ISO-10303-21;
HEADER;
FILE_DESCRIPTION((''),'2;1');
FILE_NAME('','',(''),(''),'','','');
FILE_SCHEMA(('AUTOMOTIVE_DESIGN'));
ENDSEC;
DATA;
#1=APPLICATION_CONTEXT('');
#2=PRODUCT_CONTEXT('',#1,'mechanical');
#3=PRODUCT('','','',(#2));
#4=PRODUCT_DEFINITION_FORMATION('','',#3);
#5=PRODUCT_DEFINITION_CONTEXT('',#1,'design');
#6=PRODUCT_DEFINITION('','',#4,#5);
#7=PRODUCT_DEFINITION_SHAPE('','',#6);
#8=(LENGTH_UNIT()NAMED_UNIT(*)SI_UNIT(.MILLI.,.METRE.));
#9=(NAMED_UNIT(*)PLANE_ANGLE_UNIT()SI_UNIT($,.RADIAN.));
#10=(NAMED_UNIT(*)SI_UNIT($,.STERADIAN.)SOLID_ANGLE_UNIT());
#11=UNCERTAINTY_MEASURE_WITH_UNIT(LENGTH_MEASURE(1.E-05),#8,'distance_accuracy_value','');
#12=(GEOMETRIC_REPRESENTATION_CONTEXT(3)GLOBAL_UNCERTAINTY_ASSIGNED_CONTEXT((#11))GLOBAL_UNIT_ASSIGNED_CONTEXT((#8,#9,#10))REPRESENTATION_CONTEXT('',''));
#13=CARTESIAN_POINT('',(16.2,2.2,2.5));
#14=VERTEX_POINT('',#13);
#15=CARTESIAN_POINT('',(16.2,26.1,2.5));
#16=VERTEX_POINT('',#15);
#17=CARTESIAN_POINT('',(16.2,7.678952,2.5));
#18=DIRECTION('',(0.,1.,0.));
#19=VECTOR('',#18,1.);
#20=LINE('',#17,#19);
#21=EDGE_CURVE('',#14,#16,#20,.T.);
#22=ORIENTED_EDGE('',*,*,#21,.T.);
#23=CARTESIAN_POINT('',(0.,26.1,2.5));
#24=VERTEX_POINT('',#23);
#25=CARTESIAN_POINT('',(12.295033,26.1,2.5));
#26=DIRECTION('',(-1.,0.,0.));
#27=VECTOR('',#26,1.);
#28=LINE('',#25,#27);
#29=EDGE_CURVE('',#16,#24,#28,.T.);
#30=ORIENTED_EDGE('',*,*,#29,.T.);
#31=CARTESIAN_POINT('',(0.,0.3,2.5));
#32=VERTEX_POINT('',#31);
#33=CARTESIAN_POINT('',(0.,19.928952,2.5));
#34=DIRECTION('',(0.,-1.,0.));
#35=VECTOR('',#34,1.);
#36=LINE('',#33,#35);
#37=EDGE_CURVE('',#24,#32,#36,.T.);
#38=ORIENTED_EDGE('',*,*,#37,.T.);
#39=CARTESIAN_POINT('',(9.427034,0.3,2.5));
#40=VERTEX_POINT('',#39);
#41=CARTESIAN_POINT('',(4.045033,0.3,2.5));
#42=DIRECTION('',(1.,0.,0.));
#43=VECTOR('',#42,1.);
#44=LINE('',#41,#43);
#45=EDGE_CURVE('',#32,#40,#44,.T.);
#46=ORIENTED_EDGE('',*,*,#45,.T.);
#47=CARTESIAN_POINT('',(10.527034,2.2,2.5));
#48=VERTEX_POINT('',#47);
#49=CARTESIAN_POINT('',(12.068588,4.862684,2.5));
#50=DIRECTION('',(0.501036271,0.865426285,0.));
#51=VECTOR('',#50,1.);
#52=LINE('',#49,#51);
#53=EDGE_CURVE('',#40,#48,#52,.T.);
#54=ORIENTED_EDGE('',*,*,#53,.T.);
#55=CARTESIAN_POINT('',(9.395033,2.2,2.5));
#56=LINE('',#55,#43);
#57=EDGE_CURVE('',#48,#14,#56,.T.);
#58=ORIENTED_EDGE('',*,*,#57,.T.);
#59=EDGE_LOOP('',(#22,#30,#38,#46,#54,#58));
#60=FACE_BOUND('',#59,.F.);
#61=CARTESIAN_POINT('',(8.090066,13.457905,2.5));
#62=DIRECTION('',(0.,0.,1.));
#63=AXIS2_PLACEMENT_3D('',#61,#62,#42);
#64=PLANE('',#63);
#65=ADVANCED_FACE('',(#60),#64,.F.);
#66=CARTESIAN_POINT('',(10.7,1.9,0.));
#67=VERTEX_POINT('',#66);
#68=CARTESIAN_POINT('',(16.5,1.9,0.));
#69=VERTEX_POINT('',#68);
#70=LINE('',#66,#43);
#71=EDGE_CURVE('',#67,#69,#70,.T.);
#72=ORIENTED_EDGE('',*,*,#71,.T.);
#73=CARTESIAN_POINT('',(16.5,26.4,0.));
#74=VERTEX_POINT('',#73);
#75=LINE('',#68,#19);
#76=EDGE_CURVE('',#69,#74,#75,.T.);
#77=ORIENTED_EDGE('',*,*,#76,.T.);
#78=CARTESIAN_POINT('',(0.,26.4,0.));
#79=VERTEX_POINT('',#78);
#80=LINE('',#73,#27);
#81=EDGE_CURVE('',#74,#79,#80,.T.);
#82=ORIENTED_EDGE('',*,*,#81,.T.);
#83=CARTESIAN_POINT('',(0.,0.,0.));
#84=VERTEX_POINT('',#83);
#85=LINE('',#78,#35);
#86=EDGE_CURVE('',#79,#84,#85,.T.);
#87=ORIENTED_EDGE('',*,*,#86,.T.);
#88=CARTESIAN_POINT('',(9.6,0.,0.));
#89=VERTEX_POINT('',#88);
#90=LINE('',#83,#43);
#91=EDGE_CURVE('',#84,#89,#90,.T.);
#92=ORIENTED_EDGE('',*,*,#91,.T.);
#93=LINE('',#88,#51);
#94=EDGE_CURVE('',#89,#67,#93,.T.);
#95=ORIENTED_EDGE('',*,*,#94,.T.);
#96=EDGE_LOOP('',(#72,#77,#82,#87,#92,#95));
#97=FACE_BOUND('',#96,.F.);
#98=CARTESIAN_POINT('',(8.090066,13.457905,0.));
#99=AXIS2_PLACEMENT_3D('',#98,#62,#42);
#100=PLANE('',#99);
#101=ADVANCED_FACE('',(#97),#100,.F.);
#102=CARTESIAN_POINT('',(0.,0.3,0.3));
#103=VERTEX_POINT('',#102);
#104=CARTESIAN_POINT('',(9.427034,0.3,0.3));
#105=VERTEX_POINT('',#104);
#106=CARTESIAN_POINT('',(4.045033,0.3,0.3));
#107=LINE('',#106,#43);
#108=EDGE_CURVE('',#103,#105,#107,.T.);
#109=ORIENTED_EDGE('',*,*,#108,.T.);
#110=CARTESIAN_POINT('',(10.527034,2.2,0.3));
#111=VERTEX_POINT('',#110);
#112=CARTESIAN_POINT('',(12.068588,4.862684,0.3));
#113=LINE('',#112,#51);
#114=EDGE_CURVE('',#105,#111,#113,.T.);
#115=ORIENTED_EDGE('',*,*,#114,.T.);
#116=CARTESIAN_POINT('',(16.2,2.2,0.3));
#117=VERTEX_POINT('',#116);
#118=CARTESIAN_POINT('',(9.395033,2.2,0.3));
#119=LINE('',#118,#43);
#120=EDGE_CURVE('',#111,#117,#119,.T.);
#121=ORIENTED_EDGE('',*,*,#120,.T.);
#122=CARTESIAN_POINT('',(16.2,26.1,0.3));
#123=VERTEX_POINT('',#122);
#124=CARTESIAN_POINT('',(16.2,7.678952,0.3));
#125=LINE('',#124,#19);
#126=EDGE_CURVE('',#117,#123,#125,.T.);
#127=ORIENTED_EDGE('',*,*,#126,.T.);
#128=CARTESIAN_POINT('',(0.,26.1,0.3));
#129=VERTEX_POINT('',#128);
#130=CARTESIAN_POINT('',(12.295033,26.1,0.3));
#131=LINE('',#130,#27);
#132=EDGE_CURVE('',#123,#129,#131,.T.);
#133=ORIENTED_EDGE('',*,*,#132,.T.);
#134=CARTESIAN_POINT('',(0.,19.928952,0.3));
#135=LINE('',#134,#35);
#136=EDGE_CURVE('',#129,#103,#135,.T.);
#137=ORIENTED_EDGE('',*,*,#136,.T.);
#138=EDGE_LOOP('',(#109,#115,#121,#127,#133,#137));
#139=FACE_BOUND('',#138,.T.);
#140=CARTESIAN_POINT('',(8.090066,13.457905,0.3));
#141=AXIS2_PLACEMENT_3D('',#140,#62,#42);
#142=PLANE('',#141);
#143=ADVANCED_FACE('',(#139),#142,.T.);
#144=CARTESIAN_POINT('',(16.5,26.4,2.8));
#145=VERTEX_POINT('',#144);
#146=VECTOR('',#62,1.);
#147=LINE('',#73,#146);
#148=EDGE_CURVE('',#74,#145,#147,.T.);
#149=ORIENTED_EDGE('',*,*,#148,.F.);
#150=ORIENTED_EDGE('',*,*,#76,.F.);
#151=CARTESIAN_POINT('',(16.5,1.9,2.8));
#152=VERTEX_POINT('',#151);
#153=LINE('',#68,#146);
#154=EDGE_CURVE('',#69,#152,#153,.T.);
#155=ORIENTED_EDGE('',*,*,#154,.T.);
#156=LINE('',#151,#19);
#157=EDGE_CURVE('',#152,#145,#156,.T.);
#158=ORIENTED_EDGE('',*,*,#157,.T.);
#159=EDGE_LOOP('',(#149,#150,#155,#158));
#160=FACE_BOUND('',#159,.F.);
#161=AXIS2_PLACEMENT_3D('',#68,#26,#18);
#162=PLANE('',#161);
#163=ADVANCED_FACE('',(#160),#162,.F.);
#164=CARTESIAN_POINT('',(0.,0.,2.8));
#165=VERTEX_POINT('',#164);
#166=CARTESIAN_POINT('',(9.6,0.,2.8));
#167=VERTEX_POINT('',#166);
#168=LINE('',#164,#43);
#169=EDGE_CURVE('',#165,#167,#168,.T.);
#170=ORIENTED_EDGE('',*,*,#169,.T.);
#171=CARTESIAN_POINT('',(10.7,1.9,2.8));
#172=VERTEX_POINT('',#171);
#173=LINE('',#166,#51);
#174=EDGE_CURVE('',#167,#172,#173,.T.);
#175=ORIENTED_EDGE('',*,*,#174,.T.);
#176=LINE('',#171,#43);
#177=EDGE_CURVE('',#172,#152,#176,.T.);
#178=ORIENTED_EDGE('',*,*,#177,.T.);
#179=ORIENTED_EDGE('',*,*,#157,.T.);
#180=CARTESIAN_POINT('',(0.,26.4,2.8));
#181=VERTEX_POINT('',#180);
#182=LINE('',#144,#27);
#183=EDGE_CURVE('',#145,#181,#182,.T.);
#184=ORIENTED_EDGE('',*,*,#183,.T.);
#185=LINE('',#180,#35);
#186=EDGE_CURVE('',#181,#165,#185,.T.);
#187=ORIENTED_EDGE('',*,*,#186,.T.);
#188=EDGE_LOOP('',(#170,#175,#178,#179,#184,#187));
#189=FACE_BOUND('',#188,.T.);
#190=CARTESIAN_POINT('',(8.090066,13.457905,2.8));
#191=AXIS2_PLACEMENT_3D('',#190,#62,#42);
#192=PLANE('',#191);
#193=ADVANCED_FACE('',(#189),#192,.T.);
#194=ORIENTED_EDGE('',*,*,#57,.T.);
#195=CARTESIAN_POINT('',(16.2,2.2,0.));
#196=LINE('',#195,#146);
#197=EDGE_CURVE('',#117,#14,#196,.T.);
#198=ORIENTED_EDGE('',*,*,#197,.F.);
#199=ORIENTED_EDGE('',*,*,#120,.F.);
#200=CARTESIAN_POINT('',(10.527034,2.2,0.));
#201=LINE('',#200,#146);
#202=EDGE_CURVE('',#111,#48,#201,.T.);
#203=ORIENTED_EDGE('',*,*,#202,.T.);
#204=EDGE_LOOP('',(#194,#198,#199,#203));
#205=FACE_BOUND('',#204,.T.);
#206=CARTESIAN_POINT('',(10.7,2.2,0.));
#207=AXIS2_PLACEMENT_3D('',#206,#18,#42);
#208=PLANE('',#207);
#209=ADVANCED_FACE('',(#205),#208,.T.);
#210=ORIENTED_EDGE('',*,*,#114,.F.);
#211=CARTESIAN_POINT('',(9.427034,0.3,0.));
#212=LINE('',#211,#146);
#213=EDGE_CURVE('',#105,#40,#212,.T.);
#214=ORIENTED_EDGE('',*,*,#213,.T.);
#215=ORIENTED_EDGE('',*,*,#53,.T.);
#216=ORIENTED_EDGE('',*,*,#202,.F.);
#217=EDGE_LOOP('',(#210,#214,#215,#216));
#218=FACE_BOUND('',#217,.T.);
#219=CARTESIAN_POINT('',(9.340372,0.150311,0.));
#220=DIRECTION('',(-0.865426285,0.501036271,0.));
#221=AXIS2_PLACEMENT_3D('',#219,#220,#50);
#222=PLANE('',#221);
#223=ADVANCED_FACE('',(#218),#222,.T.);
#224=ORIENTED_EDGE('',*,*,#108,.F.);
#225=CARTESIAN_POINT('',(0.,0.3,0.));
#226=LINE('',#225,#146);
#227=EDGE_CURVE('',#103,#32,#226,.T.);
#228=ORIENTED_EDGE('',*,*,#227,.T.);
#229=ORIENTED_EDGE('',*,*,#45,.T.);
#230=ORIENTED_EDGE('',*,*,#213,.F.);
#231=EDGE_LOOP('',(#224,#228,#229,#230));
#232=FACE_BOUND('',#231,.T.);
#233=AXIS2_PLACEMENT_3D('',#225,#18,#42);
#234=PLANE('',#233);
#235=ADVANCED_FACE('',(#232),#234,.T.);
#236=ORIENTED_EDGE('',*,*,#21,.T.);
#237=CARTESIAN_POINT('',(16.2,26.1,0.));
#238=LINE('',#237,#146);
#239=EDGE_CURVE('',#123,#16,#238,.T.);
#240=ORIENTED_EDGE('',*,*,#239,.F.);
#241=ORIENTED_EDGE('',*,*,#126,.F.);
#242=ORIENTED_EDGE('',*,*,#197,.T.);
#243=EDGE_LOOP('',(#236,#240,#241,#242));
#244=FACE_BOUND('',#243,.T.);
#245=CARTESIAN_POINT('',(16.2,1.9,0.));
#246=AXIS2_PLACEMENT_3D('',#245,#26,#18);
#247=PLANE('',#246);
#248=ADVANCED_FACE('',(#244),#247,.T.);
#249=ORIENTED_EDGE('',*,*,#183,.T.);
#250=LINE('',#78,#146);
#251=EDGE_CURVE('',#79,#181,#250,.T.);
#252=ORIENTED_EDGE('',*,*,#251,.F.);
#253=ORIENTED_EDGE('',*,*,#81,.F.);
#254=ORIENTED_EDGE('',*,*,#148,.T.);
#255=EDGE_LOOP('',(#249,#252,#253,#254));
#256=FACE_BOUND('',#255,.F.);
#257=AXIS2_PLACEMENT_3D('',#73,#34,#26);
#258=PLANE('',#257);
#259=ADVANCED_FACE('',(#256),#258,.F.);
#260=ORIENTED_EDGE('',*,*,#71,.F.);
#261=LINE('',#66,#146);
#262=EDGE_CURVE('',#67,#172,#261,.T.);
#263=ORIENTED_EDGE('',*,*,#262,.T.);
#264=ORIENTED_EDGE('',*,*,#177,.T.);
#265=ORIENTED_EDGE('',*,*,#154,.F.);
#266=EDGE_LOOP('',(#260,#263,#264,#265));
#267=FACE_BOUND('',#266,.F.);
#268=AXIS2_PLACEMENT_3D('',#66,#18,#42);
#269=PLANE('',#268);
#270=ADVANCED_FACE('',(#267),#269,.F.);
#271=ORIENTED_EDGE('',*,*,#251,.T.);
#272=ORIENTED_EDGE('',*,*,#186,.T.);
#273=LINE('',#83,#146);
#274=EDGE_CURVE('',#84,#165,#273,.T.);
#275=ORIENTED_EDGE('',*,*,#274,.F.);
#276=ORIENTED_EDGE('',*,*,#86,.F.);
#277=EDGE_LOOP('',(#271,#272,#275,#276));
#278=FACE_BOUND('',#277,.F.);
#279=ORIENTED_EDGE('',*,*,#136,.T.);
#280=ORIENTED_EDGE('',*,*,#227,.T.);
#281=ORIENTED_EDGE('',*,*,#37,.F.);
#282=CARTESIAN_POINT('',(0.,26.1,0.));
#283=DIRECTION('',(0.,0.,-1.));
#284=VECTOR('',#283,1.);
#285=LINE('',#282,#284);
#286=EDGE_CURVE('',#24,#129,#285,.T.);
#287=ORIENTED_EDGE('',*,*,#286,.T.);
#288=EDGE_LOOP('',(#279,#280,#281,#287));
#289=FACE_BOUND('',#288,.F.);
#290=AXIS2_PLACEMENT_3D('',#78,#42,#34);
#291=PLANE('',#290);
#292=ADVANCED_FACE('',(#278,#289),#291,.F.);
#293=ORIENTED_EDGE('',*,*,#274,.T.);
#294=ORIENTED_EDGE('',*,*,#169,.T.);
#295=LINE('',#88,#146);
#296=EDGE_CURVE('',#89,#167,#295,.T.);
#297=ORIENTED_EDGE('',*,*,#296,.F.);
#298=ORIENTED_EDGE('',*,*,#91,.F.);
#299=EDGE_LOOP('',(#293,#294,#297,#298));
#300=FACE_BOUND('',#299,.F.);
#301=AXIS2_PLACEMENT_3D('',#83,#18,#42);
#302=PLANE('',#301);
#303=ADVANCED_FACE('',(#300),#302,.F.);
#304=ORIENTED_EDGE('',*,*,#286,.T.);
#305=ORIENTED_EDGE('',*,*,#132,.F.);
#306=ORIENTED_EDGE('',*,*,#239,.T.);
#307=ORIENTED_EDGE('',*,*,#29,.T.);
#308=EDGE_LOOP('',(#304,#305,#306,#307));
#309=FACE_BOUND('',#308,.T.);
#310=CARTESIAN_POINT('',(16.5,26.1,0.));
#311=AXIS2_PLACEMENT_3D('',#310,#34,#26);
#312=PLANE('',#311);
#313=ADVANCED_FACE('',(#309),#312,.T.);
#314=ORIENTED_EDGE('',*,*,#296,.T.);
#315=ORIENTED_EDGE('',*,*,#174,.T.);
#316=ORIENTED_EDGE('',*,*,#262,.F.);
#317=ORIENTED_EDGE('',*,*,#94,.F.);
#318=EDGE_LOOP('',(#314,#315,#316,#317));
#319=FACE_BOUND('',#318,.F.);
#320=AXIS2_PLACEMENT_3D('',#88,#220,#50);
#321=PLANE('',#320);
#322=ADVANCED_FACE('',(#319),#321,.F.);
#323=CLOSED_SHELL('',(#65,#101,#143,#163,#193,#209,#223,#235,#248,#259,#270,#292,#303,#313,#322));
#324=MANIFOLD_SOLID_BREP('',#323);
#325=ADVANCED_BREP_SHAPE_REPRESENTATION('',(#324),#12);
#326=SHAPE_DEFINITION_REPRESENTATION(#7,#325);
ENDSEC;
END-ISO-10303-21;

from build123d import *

# Parameters (mm, degrees)
F1_DEPTH = 2.8
F2_T     = -0.3


with BuildPart() as f1:
    # F0 (on Top) → F1 (new body)
    with BuildSketch(Plane.XY):
        Polygon((10.7, 1.9), (16.5, 1.9), (16.5, 26.4), (0, 26.4), (0, 0), (9.6, 0), align=None)
    extrude(amount=F1_DEPTH)

    # F2
    f2_openings = [f1.faces().sort_by_distance(p)[0] for p in [
        (0, 13.2, 1.4),
    ]]
    offset(amount=F2_T, openings=f2_openings, kind=Kind.INTERSECTION)


solid = f1.part
